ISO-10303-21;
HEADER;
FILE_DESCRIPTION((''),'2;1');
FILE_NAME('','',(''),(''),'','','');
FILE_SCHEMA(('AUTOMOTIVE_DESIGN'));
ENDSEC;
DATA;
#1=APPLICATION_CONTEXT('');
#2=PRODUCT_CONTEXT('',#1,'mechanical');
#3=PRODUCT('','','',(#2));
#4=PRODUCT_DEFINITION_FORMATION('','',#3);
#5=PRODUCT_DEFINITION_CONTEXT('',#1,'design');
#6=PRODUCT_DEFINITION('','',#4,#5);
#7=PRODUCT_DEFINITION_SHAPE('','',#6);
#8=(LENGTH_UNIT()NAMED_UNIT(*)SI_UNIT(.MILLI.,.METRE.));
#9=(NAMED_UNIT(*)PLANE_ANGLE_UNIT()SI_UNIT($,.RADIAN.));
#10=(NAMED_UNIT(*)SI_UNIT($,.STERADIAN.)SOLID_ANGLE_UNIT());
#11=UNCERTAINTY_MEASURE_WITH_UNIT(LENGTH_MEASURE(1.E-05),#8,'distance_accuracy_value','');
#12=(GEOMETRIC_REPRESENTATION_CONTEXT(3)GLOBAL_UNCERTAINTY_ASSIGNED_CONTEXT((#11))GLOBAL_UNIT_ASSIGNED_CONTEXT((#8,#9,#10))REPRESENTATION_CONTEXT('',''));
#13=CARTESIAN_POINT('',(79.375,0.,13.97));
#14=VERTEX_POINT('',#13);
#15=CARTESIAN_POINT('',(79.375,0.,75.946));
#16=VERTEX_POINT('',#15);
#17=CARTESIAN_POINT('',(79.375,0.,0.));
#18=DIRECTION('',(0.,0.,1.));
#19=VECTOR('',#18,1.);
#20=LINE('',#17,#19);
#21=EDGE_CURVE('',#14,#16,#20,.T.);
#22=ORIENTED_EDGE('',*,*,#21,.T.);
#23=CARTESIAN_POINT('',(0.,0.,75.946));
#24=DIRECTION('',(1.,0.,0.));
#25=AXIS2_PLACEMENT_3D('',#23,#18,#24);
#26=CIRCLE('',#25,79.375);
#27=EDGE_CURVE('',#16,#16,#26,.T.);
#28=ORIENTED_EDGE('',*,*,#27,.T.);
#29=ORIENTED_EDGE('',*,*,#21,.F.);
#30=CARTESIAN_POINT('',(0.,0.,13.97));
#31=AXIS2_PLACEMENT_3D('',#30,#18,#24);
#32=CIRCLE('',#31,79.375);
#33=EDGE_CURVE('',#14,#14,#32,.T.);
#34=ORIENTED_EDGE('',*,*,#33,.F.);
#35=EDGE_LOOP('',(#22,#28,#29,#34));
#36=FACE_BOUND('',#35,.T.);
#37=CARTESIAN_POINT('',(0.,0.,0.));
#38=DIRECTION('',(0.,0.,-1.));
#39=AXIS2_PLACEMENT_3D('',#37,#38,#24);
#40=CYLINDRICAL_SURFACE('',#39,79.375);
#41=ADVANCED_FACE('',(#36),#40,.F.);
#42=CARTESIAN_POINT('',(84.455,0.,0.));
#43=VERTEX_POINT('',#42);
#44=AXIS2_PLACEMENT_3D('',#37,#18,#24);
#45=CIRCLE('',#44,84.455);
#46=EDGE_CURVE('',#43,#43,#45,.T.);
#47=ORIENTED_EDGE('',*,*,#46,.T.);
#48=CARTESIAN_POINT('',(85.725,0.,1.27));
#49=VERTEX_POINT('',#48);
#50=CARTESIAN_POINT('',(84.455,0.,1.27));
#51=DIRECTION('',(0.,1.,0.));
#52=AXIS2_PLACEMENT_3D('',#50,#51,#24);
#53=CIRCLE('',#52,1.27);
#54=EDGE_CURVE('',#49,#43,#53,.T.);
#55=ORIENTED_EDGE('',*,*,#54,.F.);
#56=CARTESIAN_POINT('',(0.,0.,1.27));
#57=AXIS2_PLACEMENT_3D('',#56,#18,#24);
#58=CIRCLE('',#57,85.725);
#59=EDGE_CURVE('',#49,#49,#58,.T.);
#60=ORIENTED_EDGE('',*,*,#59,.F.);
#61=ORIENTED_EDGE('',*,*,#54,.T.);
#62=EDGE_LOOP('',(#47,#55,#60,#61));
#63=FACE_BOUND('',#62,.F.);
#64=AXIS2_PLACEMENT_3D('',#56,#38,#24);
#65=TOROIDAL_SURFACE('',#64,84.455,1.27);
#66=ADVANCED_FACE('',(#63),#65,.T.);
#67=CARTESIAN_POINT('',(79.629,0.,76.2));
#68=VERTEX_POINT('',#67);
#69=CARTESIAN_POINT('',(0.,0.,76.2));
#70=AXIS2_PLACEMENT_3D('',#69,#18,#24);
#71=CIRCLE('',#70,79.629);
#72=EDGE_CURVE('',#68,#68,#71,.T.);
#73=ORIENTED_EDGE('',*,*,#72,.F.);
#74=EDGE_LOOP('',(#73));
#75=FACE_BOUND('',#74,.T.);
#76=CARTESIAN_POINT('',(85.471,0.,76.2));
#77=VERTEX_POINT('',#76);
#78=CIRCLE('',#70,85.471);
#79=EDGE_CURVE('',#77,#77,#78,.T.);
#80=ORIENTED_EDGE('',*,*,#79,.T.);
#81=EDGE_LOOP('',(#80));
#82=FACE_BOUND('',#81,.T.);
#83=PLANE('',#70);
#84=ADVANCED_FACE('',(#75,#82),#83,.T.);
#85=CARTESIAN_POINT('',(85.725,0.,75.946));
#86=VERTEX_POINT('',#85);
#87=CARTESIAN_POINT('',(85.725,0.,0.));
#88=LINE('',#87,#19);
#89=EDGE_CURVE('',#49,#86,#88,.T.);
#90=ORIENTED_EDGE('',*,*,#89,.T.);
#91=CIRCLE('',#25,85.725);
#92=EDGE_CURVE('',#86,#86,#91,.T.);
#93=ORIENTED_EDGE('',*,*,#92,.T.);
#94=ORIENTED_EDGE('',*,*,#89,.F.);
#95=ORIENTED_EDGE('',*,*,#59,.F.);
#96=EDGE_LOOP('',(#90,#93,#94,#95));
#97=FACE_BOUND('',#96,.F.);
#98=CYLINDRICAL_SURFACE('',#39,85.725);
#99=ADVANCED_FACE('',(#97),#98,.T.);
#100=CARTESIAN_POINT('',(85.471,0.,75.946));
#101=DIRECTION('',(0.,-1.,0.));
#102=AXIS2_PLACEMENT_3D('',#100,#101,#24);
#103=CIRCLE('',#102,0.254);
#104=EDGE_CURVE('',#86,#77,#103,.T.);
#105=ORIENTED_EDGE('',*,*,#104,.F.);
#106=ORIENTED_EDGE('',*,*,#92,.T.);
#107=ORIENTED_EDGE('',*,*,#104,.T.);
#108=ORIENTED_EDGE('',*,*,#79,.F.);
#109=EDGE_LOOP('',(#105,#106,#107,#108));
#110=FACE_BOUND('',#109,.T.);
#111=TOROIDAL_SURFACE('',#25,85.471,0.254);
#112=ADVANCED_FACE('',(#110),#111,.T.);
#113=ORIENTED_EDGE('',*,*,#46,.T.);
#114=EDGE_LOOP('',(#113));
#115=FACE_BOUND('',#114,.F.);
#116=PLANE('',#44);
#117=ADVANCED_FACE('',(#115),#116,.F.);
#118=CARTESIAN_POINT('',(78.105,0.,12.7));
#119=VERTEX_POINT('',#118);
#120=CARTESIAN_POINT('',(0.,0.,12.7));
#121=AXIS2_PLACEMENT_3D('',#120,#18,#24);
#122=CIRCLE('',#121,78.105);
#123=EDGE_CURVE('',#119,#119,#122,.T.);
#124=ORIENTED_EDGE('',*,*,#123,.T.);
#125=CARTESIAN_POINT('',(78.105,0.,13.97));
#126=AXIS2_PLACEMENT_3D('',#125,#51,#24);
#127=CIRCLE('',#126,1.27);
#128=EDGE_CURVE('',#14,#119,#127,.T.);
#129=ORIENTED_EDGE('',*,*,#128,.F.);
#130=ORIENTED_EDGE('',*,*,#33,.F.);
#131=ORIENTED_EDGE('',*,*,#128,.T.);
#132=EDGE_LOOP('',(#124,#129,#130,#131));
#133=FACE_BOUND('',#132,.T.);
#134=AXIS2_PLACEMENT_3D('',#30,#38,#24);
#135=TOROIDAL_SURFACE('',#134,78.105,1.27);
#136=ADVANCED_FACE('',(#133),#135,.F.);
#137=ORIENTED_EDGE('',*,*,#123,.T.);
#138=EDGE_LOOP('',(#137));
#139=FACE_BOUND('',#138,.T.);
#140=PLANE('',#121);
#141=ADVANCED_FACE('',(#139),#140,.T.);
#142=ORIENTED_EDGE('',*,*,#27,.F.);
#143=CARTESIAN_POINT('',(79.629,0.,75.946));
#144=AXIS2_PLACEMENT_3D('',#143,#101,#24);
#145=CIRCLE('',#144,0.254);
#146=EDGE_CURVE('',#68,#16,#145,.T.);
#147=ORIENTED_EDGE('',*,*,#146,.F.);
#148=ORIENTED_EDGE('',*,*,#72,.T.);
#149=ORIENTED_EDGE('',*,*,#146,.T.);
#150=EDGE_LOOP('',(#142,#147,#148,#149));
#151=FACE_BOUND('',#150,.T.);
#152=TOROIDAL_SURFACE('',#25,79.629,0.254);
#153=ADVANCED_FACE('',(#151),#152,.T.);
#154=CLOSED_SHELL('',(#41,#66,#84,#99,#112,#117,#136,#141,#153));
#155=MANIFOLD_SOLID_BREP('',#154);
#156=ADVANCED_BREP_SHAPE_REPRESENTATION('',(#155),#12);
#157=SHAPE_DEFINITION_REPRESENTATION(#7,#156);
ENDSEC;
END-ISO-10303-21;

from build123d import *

# Parameters (mm, degrees)
F0_R     = 79.375
F1_DEPTH = 12.7
F0_R_2   = 85.725
F2_DEPTH = 76.2
F3_R     = 1.27
F4_R     = 0.254


with BuildPart() as f1:
    # F0 (on Top) → F1 (new body)
    with BuildSketch(Plane.XY):
        Circle(F0_R)
    extrude(amount=F1_DEPTH)

    # F0 (on Top) → F2 (join)
    with BuildSketch(Plane.XY):
        Circle(F0_R_2)
        Circle(F0_R, mode=Mode.SUBTRACT)
    extrude(amount=F2_DEPTH)

    # F3
    f3_edges = [f1.edges().sort_by_distance(p)[0] for p in [
        (-85.725, 0, 0),
        (-79.375, 0, 12.7),
    ]]
    fillet(f3_edges, radius=F3_R)

    # F4
    f4_edges = [f1.edges().sort_by_distance(p)[0] for p in [
        (-79.375, 0, 76.2),
        (-85.725, 0, 76.2),
    ]]
    fillet(f4_edges, radius=F4_R)


solid = f1.part
